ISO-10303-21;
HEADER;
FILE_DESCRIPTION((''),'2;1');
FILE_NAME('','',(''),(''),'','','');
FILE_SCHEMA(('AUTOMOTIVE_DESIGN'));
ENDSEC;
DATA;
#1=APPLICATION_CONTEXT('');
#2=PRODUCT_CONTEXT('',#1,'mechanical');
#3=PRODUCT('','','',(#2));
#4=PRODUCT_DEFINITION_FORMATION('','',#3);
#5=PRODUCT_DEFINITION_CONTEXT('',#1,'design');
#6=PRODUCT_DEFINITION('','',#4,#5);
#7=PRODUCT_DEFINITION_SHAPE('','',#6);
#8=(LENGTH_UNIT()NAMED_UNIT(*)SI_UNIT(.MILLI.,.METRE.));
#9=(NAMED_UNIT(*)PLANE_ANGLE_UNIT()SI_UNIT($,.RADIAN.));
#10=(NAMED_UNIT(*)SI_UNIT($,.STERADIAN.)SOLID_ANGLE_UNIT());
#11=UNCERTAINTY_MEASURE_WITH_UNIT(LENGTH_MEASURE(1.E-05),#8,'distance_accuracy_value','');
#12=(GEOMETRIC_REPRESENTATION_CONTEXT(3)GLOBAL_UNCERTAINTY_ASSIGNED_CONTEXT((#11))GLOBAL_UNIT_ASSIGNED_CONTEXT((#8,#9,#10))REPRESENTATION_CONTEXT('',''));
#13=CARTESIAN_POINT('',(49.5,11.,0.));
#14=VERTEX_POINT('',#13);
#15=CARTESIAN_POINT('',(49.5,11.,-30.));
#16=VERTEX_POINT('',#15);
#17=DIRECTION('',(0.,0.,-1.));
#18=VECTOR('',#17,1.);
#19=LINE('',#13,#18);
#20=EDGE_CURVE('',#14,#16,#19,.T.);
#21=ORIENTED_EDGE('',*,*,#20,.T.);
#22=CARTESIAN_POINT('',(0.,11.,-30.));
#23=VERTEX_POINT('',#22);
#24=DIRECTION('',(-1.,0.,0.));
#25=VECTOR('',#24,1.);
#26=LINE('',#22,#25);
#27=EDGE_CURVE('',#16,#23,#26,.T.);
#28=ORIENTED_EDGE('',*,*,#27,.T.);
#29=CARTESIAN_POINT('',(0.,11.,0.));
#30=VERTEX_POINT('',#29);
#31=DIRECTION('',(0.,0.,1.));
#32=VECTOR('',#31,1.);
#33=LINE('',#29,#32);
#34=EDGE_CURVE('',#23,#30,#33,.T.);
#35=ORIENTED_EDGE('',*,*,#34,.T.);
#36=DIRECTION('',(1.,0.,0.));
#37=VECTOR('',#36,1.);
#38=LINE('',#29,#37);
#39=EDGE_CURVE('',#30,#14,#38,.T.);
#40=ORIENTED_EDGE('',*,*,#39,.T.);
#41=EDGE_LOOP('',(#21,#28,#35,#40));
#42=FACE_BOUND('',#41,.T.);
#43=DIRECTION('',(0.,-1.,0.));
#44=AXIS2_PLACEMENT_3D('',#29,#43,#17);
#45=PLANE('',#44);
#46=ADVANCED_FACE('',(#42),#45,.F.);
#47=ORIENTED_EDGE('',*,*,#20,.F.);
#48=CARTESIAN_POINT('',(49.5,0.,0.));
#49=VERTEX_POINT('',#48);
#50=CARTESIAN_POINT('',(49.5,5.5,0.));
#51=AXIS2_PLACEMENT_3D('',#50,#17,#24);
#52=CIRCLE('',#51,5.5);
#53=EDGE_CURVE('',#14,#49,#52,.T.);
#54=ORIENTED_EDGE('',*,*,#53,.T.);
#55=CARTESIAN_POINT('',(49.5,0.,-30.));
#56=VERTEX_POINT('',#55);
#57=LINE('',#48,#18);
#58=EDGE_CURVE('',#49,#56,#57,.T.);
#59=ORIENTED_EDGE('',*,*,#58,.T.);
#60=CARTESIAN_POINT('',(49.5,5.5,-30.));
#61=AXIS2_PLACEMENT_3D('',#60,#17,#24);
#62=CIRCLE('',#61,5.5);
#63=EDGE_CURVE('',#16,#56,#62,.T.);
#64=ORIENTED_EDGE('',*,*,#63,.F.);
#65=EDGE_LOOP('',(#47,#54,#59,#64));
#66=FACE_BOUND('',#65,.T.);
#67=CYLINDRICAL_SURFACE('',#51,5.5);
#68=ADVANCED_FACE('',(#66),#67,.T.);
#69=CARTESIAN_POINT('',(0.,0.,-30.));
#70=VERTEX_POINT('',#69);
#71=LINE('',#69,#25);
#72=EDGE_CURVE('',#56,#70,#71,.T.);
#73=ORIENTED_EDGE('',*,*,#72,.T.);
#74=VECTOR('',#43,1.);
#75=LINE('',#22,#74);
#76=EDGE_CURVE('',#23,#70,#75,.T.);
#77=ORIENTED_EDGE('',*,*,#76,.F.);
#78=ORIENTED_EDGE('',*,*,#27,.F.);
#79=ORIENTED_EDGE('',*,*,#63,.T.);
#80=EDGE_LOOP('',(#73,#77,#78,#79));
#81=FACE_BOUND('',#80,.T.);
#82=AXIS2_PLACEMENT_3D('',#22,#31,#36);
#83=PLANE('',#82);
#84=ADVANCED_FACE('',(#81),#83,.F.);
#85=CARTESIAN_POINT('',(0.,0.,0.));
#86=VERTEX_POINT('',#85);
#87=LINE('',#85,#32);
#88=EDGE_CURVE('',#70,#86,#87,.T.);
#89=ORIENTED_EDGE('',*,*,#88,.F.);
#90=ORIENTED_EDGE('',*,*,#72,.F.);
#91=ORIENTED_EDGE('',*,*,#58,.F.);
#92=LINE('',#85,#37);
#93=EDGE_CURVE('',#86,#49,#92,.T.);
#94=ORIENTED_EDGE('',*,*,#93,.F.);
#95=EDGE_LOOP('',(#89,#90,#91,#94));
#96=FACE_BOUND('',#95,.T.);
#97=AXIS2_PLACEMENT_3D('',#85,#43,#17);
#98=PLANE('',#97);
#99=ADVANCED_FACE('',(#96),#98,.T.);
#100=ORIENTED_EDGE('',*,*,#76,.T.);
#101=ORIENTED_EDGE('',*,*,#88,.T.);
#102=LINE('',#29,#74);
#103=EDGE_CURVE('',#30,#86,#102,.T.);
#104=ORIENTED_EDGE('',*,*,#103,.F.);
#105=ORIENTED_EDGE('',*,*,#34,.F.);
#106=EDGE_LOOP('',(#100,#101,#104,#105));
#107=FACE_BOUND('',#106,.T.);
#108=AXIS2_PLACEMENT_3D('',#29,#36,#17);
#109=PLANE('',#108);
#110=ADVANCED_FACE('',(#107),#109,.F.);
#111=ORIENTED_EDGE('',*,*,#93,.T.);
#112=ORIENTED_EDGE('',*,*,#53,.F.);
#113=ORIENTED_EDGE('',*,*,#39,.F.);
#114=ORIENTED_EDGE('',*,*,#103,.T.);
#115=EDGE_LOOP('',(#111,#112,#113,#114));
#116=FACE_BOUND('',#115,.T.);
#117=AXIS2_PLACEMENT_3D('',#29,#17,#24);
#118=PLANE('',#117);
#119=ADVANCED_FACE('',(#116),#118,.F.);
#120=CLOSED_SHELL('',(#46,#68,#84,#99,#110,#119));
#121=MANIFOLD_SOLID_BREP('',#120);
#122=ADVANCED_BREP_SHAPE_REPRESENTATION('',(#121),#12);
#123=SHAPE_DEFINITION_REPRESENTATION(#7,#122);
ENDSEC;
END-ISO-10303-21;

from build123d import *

# Parameters (mm, degrees)
SKETCH2_W           = 49.5
SKETCH2_H           = 30
BOSS_EXTRUDE1_DEPTH = 11
SKETCH4_R           = 5.5
BOSS_EXTRUDE2_DEPTH = 30


with BuildPart() as part:
    # Sketch2 → Boss-Extrude1 (new body)
    with BuildSketch(Plane(origin=(0, 0, 0), x_dir=(1, 0, 0), z_dir=(0, 1, 0))):
        with Locations((24.75, 15)):
            Rectangle(SKETCH2_W, SKETCH2_H)
    extrude(amount=BOSS_EXTRUDE1_DEPTH)

    # Sketch4 → Boss-Extrude2 (add)
    with BuildSketch(Plane(origin=(0, 0, -30), x_dir=(-1, 0, 0), z_dir=(0, 0, -1))):
        with Locations((-49.5, 5.5)):
            Circle(SKETCH4_R)
    extrude(amount=-BOSS_EXTRUDE2_DEPTH)


solid = part.part
